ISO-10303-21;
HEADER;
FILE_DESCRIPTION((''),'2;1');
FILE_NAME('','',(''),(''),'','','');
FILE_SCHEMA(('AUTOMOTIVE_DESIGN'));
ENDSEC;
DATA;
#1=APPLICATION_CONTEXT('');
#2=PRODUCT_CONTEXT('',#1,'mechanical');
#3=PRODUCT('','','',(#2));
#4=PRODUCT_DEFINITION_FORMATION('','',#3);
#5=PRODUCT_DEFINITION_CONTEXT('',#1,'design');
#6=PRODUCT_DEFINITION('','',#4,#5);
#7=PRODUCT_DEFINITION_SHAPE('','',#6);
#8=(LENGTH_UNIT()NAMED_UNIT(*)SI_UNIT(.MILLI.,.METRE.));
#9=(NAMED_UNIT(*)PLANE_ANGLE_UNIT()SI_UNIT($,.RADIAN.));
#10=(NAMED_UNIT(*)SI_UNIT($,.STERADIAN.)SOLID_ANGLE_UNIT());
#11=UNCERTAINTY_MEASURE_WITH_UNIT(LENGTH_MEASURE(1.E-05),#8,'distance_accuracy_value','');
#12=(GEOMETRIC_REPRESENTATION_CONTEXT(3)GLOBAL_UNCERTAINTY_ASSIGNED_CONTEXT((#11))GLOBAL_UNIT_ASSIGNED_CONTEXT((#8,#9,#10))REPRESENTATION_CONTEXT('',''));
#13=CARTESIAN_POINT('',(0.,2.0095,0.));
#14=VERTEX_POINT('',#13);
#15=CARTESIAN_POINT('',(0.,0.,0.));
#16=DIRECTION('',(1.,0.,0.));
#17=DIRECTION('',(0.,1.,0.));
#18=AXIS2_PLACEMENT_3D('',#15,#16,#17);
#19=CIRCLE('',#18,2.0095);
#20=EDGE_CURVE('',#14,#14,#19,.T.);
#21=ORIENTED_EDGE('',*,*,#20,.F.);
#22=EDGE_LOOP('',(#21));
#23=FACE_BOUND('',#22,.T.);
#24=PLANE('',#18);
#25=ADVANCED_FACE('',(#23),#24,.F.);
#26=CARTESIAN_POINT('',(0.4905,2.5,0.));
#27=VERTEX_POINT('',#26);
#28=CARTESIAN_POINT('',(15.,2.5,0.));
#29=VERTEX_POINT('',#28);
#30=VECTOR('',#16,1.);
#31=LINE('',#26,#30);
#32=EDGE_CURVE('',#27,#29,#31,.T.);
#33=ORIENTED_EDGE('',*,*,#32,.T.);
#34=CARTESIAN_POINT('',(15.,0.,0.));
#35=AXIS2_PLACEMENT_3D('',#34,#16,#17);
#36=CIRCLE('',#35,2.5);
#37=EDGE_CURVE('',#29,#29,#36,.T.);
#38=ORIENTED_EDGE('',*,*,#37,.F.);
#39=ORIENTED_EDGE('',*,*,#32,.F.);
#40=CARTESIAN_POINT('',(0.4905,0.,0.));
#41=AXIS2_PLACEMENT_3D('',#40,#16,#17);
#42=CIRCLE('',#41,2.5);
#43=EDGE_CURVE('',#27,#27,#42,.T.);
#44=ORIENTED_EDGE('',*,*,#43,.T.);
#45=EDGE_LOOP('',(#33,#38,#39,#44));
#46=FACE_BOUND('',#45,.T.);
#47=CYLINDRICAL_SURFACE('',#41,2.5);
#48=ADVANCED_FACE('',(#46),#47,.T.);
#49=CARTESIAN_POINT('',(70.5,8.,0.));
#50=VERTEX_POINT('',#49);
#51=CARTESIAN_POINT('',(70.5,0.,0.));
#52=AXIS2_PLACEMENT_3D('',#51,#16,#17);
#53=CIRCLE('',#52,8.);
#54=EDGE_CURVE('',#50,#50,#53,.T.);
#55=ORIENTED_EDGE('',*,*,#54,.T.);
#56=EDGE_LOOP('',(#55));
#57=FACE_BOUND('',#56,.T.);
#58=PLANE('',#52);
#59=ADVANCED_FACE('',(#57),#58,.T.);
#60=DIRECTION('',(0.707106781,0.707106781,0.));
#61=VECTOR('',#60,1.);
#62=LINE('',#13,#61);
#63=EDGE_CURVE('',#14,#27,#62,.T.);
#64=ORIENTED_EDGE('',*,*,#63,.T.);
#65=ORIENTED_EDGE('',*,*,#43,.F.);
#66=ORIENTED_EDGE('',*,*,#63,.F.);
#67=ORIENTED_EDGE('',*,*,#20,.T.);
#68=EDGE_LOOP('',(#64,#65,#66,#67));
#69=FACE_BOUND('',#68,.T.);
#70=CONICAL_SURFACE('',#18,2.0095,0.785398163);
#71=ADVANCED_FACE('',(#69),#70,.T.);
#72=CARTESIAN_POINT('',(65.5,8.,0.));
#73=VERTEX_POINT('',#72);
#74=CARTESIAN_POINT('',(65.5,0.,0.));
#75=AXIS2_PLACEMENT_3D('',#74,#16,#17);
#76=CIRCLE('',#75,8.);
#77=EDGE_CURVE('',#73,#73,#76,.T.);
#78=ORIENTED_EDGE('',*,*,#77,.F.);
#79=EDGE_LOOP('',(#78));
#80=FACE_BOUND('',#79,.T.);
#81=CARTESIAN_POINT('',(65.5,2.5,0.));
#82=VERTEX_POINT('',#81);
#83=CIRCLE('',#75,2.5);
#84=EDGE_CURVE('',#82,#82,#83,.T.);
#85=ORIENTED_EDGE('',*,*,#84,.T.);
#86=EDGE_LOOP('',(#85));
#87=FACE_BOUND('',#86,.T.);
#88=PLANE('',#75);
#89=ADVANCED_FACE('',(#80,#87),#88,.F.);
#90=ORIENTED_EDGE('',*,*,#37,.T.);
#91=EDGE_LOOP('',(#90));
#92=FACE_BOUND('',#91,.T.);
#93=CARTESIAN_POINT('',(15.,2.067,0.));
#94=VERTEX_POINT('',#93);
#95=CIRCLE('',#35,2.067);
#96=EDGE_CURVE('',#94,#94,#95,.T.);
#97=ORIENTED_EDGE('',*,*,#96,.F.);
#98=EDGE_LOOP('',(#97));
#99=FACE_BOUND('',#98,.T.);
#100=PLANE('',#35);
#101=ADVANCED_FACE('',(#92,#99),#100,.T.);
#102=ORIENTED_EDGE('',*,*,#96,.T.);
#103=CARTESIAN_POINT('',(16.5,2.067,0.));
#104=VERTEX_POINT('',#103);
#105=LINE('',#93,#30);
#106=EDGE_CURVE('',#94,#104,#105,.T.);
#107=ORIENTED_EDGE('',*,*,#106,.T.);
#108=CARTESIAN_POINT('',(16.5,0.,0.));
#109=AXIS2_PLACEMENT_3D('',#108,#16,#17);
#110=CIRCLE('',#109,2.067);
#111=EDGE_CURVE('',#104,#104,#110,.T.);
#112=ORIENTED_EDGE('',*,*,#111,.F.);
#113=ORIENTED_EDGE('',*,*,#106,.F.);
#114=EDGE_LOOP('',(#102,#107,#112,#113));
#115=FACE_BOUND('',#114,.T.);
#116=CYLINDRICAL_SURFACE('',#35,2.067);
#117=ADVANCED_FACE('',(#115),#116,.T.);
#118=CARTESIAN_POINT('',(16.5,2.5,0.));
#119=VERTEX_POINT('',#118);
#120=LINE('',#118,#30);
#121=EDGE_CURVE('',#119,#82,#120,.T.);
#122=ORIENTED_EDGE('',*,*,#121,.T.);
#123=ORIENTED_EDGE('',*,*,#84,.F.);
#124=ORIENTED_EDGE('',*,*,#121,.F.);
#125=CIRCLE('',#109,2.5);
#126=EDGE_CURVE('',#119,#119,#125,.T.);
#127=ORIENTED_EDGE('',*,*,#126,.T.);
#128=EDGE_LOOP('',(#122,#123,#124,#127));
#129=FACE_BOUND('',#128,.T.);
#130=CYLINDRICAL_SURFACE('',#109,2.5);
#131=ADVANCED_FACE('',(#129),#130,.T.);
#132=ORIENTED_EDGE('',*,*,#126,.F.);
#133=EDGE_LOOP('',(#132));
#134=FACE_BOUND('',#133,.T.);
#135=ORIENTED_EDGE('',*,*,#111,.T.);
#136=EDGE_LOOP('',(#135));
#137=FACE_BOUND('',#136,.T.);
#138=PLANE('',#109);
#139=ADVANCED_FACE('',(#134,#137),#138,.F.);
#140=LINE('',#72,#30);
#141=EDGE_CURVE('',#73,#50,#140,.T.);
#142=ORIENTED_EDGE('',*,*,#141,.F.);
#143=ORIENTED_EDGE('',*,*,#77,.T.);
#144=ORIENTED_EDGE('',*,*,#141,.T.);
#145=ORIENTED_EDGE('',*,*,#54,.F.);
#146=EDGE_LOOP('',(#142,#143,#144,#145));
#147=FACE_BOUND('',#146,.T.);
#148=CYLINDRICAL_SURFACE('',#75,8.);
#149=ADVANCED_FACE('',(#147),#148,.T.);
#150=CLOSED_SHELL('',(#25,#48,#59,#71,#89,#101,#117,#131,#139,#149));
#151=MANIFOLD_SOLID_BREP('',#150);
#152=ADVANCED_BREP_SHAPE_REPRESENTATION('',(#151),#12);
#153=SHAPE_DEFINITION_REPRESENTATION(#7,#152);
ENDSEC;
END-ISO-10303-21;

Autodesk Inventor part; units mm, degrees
sketch "Sketch_5" plane through (0, 0, 0) normal (0, 0, 1) x (1, 0, 0)
  line L0 (70.5, 0) -> (0, 0)
  line L1 (0, 0) -> (0, 2.0095)
  line L2 (0, 2.0095) -> (0.4905, 2.5)
  line L3 (0.4905, 2.5) -> (15, 2.5)
  line L4 (15, 2.5) -> (15, 2.067)
  line L5 (15, 2.067) -> (16.5, 2.067)
  line L6 (16.5, 2.067) -> (16.5, 2.5)
  line L7 (16.5, 2.5) -> (65.5, 2.5)
  line L8 (65.5, 2.5) -> (65.5, 8)
  line L9 (65.5, 8) -> (70.5, 8)
  line L10 (70.5, 8) -> (70.5, 0)
  line L11 (70.5, 0) -> (0, 0)
revolve "Revolution1" add sketch "Sketch_5" angle 360 about axis through (70.5, 0, 0) along (1, 0, 0)
thread "Thread1" size "M5x0.8" class "6g" standard "ISO Metric profile" full length
ref_plane "ROD_BA_XY" through (10, 0, 0) normal (-1, 0, 0) x (0, 0, -1)
ref_plane "ROD_BA_YZ" through (10, 0, 0) normal (0, 0, -1) x (0, -1, 0)
ref_plane "ROD_BA_ZX" through (10, 0, 0) normal (0, -1, 0) x (-1, 0, 0)
ref_plane "ROD_BODY_XY" through (28, 0, 0) normal (1, 0, 0) x (0, 0, -1)
ref_plane "ROD_BODY_YZ" through (28, 0, 0) normal (0, 0, -1) x (0, 1, 0)
ref_plane "ROD_BODY_ZX" through (28, 0, 0) normal (0, 1, 0) x (1, 0, 0)
ref_plane "rodnt1_XY" through (7.5, 0, 0) normal (1, 0, 0) x (0, 0, -1)
ref_plane "rodnt1_YZ" through (7.5, 0, 0) normal (0, 0, -1) x (0, 1, 0)
ref_plane "rodnt1_ZX" through (7.5, 0, 0) normal (0, 1, 0) x (1, 0, 0)
properties part number "CJ2D16-25Z_ROD"
